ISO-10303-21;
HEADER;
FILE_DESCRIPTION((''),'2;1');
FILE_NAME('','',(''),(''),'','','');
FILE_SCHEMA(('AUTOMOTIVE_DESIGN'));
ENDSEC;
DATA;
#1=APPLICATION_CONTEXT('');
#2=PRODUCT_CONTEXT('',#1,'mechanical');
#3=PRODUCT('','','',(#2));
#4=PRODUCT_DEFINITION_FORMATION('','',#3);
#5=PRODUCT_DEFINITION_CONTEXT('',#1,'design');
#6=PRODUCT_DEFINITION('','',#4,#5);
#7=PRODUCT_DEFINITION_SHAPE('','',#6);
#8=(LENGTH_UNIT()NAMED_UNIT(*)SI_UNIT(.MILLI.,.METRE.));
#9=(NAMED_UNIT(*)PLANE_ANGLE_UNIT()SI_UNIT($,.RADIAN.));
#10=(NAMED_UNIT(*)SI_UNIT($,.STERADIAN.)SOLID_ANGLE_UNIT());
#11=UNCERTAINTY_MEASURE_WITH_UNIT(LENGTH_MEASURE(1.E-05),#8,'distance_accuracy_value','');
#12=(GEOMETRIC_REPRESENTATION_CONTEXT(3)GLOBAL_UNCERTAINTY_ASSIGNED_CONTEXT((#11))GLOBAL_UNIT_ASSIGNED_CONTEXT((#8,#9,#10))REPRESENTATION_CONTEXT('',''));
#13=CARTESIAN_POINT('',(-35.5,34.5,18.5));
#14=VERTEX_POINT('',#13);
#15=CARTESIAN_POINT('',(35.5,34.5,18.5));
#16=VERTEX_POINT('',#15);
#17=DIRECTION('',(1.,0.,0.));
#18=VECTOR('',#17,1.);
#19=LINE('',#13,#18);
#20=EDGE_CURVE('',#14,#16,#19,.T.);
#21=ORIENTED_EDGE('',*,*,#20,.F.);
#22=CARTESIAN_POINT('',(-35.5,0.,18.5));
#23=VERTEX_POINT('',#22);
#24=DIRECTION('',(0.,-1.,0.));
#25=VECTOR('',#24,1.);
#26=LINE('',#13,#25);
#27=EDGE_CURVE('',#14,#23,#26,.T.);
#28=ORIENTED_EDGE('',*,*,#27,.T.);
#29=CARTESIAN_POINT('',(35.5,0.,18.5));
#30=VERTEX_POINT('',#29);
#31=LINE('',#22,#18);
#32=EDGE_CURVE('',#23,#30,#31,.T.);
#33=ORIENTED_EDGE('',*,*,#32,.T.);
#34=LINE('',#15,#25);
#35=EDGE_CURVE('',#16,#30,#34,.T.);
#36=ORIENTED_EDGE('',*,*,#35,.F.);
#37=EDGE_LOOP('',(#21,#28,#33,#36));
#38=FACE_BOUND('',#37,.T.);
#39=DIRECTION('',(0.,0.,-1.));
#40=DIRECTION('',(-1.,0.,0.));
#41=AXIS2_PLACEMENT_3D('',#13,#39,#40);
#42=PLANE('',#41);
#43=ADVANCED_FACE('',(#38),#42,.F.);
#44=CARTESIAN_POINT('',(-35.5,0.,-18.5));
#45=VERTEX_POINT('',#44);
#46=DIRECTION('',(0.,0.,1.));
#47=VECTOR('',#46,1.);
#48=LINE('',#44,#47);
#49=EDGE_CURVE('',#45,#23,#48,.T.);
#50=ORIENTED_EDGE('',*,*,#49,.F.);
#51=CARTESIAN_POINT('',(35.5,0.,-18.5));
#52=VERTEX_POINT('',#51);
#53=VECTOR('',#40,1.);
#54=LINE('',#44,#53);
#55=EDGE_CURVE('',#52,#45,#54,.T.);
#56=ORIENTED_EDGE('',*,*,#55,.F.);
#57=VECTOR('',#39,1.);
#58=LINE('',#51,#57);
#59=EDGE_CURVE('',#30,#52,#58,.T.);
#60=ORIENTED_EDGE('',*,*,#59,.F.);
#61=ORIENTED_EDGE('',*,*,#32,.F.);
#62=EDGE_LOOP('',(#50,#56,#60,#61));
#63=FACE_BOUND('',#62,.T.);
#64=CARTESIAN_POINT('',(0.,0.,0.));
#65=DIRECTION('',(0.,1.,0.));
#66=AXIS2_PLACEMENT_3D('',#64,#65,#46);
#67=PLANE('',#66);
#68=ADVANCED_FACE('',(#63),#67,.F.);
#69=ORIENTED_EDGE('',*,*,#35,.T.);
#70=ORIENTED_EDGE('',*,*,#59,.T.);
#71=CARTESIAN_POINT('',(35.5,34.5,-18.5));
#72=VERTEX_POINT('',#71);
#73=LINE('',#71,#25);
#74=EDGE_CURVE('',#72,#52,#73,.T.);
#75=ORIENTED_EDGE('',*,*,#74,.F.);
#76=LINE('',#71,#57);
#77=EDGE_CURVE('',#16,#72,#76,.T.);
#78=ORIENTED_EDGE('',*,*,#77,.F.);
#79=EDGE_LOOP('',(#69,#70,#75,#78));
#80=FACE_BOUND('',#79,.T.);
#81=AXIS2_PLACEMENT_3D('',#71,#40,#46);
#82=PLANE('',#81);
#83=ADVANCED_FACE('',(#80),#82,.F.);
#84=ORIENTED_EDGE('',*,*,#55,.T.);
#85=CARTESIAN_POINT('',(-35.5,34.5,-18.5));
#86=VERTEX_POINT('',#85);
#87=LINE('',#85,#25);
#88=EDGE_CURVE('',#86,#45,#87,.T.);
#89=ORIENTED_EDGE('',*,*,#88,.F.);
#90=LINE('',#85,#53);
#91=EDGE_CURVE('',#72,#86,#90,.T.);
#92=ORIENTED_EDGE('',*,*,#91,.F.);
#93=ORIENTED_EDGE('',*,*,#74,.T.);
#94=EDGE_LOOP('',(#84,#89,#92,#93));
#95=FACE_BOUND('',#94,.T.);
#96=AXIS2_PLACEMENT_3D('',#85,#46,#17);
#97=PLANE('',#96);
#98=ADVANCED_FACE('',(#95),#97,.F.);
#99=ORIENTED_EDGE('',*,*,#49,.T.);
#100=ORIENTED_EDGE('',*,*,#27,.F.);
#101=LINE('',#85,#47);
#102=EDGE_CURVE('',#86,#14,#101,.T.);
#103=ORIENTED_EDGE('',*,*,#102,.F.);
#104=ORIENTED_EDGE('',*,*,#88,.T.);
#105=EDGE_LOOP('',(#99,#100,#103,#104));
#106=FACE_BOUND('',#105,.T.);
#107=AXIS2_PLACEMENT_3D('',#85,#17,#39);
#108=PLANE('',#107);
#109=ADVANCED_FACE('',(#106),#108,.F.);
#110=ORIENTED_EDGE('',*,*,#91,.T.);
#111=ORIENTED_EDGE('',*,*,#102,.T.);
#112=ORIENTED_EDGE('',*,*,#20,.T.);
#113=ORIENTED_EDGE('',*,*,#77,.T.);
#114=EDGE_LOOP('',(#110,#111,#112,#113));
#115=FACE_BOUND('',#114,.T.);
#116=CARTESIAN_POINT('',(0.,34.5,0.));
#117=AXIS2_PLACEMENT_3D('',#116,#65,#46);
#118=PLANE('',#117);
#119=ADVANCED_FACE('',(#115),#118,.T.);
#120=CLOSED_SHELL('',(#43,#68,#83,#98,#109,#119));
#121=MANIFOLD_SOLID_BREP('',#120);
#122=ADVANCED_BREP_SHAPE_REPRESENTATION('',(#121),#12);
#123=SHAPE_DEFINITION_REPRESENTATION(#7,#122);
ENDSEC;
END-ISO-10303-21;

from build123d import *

# Parameters (mm, degrees)
SKETCH_1_W      = 71
SKETCH_1_H      = 37
EXTRUDE_1_DEPTH = 34.5


with BuildPart() as part:
    # 草图1 → 凸台-拉伸1 (new body)
    with BuildSketch(Plane(origin=(0, 0, 0), x_dir=(1, 0, 0), z_dir=(0, 1, 0))):
        Rectangle(SKETCH_1_W, SKETCH_1_H)
    extrude(amount=EXTRUDE_1_DEPTH)


solid = part.part
